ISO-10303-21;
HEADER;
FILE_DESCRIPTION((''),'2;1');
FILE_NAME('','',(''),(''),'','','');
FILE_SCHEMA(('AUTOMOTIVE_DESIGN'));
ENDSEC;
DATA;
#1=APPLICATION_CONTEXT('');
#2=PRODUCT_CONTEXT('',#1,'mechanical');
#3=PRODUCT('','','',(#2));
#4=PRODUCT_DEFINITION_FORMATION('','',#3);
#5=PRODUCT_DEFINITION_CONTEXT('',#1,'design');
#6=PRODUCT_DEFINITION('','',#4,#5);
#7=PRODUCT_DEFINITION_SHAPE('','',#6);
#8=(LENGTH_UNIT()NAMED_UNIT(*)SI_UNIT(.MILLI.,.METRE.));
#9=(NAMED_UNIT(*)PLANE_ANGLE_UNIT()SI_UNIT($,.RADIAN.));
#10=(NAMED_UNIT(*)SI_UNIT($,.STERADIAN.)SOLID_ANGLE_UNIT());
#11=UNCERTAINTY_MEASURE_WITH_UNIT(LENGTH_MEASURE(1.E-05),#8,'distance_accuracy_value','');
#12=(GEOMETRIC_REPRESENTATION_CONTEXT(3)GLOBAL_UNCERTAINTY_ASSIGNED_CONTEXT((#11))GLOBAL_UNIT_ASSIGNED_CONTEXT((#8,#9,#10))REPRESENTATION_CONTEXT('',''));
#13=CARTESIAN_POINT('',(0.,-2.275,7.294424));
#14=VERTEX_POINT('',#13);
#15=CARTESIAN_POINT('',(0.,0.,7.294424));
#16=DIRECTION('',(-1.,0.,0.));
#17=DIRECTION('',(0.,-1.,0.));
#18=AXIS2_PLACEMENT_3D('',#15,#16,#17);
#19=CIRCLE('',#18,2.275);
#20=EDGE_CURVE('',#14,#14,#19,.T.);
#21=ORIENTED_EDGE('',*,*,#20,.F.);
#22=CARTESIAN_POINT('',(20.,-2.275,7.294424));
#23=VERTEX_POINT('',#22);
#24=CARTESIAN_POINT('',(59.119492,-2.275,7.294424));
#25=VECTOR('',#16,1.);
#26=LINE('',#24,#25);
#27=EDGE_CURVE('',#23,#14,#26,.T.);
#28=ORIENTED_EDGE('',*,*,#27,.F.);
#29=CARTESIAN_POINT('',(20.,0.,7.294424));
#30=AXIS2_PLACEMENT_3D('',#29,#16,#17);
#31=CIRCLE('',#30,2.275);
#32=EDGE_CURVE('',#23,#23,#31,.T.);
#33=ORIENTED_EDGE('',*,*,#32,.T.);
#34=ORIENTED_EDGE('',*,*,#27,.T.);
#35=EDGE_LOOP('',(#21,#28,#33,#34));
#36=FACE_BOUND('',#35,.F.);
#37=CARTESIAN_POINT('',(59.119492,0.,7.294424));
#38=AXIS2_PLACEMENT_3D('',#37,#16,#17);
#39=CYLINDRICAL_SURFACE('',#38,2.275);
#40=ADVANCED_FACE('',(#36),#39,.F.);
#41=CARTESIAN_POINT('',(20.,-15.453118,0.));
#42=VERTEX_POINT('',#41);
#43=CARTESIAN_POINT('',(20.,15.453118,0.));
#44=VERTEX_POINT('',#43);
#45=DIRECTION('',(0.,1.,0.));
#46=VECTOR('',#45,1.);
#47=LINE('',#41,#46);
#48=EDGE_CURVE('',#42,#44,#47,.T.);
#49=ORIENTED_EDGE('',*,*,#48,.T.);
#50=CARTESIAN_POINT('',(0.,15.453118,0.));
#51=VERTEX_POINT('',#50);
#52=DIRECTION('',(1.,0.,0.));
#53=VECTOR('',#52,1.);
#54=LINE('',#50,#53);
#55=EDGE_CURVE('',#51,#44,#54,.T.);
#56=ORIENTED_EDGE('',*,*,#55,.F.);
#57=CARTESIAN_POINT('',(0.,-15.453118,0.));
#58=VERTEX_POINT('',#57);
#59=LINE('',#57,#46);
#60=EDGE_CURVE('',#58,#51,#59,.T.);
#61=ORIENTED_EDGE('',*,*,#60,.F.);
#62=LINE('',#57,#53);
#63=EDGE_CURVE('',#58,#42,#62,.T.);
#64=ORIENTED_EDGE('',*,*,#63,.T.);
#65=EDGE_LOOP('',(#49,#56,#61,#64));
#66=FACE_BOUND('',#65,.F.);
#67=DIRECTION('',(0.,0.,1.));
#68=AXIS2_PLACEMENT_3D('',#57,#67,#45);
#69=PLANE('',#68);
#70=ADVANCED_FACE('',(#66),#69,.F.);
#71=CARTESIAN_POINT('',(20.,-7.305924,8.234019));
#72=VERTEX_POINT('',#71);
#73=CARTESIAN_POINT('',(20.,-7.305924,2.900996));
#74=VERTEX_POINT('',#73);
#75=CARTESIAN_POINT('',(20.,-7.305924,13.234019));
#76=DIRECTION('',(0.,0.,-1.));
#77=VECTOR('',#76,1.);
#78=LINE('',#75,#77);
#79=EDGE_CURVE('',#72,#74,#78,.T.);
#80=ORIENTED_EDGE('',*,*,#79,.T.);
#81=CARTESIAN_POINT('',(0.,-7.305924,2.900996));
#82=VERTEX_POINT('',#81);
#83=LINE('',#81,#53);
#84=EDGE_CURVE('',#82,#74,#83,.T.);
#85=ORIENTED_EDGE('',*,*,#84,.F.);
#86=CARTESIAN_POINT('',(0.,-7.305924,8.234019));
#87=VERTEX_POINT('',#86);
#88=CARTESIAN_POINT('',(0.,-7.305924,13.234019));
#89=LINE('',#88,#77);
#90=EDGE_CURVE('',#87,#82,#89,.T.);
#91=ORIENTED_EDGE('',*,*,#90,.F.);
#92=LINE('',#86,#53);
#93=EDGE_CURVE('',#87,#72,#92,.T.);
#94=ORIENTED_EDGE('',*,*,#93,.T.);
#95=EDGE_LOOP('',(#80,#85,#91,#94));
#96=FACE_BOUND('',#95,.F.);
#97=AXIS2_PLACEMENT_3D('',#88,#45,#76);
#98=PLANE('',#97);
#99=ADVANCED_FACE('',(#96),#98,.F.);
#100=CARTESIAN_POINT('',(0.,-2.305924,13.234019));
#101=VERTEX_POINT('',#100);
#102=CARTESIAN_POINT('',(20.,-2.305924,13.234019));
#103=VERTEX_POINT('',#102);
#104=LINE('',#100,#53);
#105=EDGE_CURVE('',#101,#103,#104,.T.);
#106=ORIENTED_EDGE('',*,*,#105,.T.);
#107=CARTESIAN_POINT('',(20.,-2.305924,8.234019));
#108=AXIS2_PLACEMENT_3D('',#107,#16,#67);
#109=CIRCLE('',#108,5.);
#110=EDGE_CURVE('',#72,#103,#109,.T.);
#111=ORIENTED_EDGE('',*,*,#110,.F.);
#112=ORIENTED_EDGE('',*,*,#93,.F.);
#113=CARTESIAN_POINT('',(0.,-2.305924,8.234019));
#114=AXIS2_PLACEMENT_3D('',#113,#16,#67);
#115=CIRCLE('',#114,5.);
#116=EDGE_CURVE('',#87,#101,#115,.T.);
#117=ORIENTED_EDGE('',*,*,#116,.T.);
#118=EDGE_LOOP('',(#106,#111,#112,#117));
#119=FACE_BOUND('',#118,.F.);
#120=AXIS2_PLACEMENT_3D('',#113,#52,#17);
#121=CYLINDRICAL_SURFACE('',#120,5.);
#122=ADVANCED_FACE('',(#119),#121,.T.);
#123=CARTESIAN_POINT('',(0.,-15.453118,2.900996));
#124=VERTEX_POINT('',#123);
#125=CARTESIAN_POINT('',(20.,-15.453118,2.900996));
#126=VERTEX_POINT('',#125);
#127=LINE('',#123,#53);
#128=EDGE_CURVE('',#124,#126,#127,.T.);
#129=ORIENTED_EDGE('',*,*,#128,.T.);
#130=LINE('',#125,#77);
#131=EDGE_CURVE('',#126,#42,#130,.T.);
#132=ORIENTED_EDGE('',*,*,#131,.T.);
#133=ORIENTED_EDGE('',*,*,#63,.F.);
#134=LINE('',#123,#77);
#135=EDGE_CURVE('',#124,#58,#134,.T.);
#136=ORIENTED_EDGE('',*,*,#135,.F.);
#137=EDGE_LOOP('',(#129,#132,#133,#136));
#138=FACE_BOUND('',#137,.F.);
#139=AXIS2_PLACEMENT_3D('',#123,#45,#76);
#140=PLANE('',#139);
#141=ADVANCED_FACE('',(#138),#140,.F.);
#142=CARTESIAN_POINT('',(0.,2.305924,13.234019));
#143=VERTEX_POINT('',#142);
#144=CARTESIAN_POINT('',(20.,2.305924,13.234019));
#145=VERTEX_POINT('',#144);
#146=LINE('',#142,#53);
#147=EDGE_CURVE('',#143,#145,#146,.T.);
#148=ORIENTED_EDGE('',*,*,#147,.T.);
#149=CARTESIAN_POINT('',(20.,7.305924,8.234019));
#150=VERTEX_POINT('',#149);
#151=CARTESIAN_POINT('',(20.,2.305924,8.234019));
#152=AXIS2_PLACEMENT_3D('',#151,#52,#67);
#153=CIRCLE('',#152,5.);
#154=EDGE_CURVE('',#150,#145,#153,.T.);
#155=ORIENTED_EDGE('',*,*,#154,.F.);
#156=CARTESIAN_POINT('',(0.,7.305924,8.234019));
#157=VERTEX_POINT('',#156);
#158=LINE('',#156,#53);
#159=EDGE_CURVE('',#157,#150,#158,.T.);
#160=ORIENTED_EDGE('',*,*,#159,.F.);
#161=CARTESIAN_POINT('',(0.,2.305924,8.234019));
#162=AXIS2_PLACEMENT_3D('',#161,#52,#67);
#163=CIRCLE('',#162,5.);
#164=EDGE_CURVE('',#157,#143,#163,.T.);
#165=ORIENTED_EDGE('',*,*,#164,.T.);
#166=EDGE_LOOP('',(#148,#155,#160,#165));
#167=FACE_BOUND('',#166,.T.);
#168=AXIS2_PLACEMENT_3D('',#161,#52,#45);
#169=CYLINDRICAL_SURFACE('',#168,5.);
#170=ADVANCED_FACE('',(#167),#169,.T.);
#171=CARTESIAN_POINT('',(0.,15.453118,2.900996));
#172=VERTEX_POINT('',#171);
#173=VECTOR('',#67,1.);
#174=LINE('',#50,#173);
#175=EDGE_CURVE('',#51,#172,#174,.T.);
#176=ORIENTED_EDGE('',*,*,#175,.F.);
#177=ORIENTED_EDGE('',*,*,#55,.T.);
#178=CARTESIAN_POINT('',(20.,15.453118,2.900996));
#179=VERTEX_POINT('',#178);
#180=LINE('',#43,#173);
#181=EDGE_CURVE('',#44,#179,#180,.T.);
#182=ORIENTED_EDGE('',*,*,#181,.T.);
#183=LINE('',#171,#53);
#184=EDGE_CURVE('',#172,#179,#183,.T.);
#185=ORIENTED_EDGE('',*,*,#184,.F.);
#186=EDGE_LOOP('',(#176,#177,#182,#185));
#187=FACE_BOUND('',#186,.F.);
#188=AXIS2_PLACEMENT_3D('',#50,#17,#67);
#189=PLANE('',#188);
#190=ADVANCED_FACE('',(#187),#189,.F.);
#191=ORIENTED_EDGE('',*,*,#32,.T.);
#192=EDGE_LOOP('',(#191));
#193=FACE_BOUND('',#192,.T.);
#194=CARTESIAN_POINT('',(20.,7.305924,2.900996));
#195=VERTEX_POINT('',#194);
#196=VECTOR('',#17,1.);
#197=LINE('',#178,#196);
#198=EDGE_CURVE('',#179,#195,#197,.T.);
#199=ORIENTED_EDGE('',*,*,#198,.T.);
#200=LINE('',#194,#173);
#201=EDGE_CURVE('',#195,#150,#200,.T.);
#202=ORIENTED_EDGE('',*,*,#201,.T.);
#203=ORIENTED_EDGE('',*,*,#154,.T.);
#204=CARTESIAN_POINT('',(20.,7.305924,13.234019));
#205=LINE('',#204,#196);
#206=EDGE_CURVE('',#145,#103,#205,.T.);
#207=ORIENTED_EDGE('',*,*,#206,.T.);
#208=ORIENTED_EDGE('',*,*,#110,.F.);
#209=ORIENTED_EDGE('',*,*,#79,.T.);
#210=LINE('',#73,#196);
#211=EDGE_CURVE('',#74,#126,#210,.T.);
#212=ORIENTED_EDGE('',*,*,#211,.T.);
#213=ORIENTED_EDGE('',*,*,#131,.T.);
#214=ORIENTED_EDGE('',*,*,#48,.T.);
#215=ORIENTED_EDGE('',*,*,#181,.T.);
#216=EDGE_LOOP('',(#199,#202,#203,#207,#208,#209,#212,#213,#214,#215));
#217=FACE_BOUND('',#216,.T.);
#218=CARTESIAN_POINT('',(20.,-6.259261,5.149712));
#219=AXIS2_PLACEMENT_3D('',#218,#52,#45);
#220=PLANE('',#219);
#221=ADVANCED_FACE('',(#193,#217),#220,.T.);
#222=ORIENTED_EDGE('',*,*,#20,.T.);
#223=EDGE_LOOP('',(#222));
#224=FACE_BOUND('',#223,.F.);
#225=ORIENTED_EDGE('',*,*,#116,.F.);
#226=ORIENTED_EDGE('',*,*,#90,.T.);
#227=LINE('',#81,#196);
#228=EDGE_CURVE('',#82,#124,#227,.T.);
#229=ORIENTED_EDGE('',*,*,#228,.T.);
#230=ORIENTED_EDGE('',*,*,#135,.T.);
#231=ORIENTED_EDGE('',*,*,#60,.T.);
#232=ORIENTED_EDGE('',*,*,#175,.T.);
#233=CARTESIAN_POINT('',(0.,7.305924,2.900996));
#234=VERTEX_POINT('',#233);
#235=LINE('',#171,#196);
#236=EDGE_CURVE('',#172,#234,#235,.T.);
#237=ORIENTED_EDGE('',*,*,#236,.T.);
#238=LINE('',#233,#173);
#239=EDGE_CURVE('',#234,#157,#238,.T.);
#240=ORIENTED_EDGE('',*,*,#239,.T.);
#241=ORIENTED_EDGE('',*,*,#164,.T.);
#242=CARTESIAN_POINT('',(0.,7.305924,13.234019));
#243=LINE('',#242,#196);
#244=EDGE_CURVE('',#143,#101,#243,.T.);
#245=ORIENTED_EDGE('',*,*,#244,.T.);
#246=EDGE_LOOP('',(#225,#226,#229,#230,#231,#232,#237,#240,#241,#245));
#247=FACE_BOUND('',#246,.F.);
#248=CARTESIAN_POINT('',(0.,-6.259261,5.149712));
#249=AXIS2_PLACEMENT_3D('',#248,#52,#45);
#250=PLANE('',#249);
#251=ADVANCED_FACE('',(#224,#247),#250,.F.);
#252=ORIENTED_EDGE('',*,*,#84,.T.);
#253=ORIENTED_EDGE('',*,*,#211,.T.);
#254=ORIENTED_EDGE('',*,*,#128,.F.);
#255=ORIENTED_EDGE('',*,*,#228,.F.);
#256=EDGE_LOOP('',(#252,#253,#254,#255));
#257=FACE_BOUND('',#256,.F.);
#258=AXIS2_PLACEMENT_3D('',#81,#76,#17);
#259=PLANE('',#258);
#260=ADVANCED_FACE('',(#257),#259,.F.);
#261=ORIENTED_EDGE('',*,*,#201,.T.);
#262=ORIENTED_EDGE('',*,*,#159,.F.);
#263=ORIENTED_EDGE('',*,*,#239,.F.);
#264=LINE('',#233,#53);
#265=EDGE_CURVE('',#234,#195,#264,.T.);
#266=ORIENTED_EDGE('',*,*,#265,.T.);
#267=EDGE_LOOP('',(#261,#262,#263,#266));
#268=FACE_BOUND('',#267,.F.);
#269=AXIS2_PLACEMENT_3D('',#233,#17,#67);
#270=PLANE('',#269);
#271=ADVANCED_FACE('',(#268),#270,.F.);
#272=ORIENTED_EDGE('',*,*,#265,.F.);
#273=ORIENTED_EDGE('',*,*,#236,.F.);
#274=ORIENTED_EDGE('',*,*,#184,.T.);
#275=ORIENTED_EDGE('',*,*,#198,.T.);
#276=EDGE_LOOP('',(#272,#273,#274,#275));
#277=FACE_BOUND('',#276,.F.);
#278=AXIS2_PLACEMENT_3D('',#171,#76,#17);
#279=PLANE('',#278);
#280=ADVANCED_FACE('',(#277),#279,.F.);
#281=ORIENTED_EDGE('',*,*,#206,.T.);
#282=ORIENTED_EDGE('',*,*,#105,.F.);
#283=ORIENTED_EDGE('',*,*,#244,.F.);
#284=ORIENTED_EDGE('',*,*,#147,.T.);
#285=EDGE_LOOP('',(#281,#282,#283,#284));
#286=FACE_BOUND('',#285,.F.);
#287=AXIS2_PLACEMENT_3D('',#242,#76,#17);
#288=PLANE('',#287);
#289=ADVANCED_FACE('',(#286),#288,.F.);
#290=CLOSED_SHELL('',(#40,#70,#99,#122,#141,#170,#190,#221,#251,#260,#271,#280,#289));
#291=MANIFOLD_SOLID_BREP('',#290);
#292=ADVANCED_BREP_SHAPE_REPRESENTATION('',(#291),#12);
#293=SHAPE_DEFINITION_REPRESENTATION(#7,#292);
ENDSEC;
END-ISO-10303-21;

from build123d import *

# Parameters (mm, degrees)
F1_DEPTH = 20
F3_D     = 4.55
F4_R     = 5


with BuildPart() as f1:
    # F0 (on Right) → F1 (new body)
    with BuildSketch(Plane.YZ):
        Polygon((-15.453118, 0), (0, 0), (0, 13.234019), (-7.305924, 13.234019), (-7.305924, 2.900996), (-15.453118, 2.900996), align=None)
        Polygon((0, 13.234019), (0, 0), (15.453118, 0), (15.453118, 2.900996), (7.305924, 2.900996), (7.305924, 13.234019), align=None)
    extrude(amount=F1_DEPTH)

    # F3 (through all)
    with Locations(Plane.YZ.offset(20)):
        with Locations((0, 7.294424)):
            Hole(F3_D / 2)

    # F4
    f4_edges = [f1.edges().sort_by_distance(p)[0] for p in [
        (10, 7.305924, 13.234019),
        (10, -7.305924, 13.234019),
    ]]
    fillet(f4_edges, radius=F4_R)


solid = f1.part
